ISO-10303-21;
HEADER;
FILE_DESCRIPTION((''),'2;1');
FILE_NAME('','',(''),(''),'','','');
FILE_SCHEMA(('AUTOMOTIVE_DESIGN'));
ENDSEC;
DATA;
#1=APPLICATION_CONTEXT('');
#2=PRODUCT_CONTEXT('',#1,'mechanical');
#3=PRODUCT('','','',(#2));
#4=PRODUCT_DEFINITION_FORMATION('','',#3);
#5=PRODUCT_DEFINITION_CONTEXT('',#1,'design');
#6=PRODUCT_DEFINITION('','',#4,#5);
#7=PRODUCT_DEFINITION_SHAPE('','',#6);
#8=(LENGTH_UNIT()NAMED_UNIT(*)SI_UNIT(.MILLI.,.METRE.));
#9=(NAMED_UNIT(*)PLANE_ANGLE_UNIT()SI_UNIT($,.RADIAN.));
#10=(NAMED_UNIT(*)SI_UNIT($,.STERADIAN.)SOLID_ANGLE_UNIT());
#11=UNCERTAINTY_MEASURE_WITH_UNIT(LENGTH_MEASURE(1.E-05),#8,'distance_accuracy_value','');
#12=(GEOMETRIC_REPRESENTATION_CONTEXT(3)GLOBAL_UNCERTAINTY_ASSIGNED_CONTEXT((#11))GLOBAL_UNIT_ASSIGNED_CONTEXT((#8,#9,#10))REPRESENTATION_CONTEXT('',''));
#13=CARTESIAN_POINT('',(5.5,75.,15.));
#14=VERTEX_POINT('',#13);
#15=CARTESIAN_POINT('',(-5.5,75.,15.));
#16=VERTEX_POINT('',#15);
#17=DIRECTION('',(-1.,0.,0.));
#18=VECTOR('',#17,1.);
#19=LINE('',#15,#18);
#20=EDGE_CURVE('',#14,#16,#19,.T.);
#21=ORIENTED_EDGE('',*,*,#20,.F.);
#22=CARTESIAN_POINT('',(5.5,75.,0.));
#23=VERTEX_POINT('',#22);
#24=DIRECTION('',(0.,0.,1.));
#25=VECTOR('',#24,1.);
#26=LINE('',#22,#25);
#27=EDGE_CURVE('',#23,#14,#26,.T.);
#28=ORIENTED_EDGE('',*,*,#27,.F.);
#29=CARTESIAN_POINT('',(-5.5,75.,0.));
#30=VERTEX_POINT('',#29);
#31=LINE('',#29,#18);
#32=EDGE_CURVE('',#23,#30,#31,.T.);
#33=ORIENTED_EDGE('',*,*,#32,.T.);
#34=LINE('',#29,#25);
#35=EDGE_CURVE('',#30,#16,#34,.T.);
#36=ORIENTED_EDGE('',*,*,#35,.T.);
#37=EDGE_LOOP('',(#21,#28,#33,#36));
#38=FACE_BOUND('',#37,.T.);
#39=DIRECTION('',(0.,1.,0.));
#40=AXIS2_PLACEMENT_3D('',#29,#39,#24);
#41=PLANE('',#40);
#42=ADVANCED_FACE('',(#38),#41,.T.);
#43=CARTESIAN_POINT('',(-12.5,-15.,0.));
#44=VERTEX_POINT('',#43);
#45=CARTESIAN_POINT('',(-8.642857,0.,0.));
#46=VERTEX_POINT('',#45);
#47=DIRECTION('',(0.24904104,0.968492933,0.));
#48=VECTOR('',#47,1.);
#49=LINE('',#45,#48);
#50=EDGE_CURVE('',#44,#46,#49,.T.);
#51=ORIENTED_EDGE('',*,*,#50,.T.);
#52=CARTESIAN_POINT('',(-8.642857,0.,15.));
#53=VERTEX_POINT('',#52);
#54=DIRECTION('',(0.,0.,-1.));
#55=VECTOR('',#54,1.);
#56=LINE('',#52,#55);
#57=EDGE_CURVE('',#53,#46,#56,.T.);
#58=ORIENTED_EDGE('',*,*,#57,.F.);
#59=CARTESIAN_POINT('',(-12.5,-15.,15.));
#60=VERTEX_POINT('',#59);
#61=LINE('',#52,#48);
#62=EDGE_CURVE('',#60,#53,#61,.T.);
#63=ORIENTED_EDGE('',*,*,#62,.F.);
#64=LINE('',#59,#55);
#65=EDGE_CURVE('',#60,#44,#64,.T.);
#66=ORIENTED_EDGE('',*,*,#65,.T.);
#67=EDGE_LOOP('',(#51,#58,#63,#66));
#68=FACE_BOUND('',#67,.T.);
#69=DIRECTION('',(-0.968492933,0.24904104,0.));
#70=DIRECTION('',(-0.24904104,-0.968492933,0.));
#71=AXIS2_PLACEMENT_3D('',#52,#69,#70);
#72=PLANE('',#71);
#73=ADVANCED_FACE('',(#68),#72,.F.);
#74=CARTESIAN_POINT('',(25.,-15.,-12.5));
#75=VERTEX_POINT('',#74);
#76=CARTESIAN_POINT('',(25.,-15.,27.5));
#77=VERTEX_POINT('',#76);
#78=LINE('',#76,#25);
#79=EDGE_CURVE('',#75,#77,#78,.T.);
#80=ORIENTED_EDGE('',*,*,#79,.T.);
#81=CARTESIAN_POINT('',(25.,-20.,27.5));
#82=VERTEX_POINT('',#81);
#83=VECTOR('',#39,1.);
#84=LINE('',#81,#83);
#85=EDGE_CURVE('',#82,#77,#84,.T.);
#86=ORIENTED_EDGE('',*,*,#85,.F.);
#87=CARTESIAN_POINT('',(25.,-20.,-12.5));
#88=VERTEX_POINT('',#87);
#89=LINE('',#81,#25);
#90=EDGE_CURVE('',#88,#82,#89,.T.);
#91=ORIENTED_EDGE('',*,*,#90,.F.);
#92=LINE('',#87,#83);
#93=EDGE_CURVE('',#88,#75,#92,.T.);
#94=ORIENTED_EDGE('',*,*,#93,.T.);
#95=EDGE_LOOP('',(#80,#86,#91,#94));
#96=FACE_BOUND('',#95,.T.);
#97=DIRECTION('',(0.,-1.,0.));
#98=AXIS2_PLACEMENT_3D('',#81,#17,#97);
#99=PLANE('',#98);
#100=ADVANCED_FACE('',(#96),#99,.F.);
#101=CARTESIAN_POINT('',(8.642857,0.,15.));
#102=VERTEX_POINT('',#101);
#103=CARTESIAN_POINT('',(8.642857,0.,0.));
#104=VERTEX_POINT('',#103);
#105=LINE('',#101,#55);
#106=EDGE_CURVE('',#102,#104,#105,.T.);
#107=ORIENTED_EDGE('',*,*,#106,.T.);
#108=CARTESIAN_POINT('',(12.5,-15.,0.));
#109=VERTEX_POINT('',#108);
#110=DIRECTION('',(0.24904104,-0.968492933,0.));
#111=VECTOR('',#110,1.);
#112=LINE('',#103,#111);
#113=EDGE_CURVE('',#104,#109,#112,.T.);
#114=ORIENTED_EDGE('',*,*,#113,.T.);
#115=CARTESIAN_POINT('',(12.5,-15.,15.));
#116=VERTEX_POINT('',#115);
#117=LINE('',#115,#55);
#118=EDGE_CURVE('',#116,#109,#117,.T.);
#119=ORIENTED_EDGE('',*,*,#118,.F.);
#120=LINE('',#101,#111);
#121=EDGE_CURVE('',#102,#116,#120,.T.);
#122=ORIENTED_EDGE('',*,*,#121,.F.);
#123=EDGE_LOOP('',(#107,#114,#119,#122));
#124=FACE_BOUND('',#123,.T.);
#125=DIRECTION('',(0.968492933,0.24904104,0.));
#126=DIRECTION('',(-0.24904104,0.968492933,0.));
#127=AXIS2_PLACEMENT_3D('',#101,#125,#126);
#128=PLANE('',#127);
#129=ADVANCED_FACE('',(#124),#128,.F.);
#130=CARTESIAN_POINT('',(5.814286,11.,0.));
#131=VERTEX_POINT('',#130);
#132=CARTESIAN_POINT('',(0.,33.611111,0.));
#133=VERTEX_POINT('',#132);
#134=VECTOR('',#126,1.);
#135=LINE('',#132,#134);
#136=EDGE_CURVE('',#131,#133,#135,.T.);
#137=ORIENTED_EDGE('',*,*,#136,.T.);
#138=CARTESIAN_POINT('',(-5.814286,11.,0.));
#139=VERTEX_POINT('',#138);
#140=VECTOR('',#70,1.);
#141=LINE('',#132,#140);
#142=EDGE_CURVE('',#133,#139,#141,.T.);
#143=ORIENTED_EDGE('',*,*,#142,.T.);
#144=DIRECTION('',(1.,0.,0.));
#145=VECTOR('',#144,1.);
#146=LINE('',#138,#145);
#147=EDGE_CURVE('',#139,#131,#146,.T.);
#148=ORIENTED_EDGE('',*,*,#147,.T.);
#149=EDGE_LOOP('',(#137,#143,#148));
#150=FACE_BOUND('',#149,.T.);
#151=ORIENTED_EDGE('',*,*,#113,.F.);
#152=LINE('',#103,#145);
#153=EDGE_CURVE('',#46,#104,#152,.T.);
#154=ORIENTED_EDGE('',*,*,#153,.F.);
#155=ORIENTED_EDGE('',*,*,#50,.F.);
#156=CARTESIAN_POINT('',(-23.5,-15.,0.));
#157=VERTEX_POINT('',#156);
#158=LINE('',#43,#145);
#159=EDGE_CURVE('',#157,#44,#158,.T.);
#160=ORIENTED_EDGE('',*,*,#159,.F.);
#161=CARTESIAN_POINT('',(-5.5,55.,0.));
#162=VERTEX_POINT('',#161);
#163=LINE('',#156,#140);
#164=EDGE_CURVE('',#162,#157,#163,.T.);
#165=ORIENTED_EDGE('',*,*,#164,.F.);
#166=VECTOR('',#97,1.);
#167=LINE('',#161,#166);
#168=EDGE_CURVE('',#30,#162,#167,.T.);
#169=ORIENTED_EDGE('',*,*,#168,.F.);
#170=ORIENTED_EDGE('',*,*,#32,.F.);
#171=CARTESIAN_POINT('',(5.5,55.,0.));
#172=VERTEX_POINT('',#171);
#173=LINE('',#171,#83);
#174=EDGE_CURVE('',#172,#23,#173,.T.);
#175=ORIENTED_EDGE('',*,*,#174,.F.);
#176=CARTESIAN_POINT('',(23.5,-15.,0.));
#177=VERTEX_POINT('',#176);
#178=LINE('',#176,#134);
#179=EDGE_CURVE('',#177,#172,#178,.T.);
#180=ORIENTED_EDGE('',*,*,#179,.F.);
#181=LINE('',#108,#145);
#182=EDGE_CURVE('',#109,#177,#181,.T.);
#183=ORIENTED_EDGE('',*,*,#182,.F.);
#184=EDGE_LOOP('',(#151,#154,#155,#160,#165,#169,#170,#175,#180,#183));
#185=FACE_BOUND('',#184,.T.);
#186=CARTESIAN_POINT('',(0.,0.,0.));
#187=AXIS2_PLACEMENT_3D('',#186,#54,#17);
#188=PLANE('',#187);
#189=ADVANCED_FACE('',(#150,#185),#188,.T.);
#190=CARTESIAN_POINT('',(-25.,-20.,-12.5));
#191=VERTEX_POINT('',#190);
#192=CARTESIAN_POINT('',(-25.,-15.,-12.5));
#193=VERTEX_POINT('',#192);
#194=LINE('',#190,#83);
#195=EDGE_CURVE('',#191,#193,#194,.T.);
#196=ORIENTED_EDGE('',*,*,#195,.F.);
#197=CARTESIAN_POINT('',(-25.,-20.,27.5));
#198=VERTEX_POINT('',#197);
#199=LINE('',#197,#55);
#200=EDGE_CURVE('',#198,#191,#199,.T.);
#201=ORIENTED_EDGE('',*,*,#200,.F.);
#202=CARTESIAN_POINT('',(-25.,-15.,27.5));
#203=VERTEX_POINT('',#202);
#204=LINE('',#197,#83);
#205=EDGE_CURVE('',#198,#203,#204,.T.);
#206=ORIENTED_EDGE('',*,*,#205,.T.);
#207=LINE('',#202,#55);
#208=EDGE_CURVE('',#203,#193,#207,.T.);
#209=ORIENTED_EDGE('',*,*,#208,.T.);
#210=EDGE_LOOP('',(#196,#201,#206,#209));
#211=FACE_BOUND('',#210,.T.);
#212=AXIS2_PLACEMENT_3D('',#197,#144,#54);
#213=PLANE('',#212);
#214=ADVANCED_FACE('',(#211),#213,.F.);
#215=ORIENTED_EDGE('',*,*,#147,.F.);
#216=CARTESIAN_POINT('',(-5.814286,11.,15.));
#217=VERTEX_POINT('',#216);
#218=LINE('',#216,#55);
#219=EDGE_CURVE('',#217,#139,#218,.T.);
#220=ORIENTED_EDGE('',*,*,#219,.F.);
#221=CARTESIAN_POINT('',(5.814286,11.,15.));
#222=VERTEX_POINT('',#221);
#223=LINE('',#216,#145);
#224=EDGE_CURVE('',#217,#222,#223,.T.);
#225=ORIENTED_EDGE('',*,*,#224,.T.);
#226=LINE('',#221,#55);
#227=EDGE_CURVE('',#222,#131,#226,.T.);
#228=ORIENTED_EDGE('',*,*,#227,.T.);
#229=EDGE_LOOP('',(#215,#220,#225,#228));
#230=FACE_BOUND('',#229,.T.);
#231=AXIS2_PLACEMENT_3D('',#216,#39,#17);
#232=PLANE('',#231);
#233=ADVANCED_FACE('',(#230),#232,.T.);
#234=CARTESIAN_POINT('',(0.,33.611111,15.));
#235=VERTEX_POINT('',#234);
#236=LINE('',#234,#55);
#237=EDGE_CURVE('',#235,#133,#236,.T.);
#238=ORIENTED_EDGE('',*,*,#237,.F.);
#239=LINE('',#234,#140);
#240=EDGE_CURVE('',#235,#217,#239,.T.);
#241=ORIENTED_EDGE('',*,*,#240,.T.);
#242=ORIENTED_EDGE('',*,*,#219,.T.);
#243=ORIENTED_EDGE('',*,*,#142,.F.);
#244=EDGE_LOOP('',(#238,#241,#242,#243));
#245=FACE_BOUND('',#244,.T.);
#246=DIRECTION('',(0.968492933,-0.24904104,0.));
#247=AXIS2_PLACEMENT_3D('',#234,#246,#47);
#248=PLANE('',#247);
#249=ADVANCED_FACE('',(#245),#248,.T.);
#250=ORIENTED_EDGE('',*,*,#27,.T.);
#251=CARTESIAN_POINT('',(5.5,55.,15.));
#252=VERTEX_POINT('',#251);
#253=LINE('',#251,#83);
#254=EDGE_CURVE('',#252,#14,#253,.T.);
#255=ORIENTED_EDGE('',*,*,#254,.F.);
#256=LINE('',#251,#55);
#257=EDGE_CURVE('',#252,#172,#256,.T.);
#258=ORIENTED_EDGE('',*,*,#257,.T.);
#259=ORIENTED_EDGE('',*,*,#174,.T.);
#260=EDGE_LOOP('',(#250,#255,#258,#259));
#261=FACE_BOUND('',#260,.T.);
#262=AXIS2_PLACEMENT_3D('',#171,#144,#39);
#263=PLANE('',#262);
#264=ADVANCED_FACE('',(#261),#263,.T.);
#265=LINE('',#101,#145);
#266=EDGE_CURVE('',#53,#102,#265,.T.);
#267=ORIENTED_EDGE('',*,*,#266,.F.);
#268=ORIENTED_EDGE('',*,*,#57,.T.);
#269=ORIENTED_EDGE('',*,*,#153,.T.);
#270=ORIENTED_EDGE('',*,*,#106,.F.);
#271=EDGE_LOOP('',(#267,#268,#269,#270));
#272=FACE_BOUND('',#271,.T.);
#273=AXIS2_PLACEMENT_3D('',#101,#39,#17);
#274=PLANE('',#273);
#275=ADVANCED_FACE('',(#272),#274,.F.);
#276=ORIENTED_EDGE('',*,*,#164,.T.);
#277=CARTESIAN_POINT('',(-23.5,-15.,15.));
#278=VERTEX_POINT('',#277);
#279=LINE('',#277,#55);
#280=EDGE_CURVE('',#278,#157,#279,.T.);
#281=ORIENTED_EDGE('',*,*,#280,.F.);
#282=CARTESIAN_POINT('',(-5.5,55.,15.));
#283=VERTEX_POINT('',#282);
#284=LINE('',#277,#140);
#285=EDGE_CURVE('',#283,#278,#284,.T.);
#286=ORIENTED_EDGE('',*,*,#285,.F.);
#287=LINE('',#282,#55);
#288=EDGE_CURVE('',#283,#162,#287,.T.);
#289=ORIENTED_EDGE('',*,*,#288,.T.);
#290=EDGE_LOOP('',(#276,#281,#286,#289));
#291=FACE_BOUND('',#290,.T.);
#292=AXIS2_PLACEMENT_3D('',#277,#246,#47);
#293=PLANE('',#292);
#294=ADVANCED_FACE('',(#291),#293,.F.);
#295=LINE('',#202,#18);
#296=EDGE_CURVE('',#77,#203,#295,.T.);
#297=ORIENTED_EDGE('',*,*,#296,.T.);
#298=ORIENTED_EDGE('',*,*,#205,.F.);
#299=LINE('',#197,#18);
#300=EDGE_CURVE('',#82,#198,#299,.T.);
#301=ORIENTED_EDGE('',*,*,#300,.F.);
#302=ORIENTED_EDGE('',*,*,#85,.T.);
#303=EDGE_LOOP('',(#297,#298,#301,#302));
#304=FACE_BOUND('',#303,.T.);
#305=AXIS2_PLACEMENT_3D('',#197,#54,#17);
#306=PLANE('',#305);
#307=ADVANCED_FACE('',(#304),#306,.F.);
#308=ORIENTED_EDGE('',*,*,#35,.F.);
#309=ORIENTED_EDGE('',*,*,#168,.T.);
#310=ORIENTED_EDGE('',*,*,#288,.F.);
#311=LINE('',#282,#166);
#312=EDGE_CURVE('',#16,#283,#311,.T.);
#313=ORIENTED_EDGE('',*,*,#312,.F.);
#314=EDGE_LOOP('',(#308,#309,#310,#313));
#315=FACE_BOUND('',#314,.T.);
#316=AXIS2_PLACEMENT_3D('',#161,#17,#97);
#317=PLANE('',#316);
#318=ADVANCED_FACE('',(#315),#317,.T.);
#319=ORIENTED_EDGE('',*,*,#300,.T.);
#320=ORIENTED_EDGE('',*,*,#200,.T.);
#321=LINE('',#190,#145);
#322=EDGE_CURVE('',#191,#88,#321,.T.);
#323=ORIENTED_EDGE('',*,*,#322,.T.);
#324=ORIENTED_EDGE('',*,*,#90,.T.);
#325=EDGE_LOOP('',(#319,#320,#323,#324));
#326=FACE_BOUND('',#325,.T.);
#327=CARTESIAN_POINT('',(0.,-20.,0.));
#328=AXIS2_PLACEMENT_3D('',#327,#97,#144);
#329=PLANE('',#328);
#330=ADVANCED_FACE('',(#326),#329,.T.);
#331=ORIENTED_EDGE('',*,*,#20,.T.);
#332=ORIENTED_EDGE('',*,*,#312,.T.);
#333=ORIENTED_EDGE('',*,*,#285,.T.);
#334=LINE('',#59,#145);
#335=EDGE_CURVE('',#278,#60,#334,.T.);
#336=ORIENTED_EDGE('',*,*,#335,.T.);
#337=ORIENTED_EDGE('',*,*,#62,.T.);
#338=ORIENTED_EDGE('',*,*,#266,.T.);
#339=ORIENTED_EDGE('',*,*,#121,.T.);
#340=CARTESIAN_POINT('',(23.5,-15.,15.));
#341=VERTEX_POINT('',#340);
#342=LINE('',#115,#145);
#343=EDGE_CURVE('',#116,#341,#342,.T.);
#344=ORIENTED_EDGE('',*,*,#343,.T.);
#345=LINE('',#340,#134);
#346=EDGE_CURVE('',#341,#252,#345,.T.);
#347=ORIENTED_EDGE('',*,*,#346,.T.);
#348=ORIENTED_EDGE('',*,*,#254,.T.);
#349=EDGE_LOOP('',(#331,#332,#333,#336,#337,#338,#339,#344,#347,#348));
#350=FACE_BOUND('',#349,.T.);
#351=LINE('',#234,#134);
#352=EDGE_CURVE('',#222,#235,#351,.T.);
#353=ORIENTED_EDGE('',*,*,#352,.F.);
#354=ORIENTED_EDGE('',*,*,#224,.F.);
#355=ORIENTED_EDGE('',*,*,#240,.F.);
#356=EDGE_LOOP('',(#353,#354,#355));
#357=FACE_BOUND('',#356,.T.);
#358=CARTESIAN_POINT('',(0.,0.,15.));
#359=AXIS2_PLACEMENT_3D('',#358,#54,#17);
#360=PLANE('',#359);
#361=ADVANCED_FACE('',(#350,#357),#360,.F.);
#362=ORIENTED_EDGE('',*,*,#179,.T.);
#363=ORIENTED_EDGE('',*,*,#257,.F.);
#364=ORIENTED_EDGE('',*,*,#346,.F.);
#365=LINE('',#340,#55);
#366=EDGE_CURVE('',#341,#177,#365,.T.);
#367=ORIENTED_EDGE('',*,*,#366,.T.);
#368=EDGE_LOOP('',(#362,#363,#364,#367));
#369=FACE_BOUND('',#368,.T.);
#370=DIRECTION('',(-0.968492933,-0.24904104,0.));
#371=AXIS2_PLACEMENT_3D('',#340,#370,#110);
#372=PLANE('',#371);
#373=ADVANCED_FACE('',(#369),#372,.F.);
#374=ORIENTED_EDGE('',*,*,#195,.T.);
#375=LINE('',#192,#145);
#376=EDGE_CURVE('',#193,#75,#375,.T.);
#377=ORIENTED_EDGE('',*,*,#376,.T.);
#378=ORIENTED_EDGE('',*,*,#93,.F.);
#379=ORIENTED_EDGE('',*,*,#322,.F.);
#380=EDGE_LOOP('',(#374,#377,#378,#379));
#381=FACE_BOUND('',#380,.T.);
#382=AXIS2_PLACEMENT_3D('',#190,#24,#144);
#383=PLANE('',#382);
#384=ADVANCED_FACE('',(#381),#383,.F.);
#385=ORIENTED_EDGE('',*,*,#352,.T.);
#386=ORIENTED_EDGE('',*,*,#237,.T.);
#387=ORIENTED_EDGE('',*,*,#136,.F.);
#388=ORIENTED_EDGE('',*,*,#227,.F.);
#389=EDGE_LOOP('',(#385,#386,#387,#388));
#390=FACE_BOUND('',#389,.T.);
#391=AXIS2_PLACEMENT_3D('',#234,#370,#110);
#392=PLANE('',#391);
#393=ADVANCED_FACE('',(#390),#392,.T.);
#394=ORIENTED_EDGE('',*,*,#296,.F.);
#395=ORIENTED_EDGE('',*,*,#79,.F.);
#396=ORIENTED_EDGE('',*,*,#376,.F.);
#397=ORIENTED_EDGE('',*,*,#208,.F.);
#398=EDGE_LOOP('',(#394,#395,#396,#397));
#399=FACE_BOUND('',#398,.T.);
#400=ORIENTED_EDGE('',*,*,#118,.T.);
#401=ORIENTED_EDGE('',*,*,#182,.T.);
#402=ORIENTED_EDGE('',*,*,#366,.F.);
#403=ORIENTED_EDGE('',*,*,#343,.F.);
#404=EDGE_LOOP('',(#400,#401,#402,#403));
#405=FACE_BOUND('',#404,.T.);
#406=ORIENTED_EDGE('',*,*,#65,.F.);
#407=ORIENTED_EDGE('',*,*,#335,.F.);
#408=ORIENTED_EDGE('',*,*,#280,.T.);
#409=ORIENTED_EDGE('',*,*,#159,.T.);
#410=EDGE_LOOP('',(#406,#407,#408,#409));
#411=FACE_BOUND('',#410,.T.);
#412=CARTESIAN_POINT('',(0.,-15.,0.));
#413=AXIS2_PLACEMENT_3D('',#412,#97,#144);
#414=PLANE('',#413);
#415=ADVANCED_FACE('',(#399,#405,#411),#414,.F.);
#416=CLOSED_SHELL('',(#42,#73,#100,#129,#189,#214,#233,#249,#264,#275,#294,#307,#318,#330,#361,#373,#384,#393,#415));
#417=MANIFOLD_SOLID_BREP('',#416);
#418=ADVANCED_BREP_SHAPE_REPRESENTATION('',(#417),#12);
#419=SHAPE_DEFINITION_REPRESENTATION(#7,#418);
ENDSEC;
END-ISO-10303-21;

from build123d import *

# Parameters (mm, degrees)
AUFSATZ_LINEAR_AUSTRAGEN1_DEPTH = 15
SKIZZE2_W                       = 50
SKIZZE2_H                       = 40
AUFSATZ_LINEAR_AUSTRAGEN2_DEPTH = 5
SKIZZE3_W                       = 11
SKIZZE3_H                       = 20
AUFSATZ_LINEAR_AUSTRAGEN3_DEPTH = 15


with BuildPart() as part:
    # Skizze1 → Aufsatz-Linear austragen1 (new body)
    with BuildSketch(Plane.XY):
        Polygon((8.642857143, 0), (-8.642857143, 0), (-12.5, -15), (-23.5, -15), (-5.5, 55), (5.5, 55), (23.5, -15), (12.5, -15), align=None)
        Polygon((0, 33.611111111), (-5.814285714, 11), (5.814285714, 11), align=None, mode=Mode.SUBTRACT)
    extrude(amount=AUFSATZ_LINEAR_AUSTRAGEN1_DEPTH)

    # Skizze2 → Aufsatz-Linear austragen2 (add)
    with BuildSketch(Plane.XZ.offset(15)):
        with Locations((0, 7.5)):
            Rectangle(SKIZZE2_W, SKIZZE2_H)
    extrude(amount=AUFSATZ_LINEAR_AUSTRAGEN2_DEPTH)

    # Skizze3 → Aufsatz-Linear austragen3 (add)
    with BuildSketch(Plane.XY.offset(15)):
        with Locations((0, 65)):
            Rectangle(SKIZZE3_W, SKIZZE3_H)
    extrude(amount=-AUFSATZ_LINEAR_AUSTRAGEN3_DEPTH)


solid = part.part
